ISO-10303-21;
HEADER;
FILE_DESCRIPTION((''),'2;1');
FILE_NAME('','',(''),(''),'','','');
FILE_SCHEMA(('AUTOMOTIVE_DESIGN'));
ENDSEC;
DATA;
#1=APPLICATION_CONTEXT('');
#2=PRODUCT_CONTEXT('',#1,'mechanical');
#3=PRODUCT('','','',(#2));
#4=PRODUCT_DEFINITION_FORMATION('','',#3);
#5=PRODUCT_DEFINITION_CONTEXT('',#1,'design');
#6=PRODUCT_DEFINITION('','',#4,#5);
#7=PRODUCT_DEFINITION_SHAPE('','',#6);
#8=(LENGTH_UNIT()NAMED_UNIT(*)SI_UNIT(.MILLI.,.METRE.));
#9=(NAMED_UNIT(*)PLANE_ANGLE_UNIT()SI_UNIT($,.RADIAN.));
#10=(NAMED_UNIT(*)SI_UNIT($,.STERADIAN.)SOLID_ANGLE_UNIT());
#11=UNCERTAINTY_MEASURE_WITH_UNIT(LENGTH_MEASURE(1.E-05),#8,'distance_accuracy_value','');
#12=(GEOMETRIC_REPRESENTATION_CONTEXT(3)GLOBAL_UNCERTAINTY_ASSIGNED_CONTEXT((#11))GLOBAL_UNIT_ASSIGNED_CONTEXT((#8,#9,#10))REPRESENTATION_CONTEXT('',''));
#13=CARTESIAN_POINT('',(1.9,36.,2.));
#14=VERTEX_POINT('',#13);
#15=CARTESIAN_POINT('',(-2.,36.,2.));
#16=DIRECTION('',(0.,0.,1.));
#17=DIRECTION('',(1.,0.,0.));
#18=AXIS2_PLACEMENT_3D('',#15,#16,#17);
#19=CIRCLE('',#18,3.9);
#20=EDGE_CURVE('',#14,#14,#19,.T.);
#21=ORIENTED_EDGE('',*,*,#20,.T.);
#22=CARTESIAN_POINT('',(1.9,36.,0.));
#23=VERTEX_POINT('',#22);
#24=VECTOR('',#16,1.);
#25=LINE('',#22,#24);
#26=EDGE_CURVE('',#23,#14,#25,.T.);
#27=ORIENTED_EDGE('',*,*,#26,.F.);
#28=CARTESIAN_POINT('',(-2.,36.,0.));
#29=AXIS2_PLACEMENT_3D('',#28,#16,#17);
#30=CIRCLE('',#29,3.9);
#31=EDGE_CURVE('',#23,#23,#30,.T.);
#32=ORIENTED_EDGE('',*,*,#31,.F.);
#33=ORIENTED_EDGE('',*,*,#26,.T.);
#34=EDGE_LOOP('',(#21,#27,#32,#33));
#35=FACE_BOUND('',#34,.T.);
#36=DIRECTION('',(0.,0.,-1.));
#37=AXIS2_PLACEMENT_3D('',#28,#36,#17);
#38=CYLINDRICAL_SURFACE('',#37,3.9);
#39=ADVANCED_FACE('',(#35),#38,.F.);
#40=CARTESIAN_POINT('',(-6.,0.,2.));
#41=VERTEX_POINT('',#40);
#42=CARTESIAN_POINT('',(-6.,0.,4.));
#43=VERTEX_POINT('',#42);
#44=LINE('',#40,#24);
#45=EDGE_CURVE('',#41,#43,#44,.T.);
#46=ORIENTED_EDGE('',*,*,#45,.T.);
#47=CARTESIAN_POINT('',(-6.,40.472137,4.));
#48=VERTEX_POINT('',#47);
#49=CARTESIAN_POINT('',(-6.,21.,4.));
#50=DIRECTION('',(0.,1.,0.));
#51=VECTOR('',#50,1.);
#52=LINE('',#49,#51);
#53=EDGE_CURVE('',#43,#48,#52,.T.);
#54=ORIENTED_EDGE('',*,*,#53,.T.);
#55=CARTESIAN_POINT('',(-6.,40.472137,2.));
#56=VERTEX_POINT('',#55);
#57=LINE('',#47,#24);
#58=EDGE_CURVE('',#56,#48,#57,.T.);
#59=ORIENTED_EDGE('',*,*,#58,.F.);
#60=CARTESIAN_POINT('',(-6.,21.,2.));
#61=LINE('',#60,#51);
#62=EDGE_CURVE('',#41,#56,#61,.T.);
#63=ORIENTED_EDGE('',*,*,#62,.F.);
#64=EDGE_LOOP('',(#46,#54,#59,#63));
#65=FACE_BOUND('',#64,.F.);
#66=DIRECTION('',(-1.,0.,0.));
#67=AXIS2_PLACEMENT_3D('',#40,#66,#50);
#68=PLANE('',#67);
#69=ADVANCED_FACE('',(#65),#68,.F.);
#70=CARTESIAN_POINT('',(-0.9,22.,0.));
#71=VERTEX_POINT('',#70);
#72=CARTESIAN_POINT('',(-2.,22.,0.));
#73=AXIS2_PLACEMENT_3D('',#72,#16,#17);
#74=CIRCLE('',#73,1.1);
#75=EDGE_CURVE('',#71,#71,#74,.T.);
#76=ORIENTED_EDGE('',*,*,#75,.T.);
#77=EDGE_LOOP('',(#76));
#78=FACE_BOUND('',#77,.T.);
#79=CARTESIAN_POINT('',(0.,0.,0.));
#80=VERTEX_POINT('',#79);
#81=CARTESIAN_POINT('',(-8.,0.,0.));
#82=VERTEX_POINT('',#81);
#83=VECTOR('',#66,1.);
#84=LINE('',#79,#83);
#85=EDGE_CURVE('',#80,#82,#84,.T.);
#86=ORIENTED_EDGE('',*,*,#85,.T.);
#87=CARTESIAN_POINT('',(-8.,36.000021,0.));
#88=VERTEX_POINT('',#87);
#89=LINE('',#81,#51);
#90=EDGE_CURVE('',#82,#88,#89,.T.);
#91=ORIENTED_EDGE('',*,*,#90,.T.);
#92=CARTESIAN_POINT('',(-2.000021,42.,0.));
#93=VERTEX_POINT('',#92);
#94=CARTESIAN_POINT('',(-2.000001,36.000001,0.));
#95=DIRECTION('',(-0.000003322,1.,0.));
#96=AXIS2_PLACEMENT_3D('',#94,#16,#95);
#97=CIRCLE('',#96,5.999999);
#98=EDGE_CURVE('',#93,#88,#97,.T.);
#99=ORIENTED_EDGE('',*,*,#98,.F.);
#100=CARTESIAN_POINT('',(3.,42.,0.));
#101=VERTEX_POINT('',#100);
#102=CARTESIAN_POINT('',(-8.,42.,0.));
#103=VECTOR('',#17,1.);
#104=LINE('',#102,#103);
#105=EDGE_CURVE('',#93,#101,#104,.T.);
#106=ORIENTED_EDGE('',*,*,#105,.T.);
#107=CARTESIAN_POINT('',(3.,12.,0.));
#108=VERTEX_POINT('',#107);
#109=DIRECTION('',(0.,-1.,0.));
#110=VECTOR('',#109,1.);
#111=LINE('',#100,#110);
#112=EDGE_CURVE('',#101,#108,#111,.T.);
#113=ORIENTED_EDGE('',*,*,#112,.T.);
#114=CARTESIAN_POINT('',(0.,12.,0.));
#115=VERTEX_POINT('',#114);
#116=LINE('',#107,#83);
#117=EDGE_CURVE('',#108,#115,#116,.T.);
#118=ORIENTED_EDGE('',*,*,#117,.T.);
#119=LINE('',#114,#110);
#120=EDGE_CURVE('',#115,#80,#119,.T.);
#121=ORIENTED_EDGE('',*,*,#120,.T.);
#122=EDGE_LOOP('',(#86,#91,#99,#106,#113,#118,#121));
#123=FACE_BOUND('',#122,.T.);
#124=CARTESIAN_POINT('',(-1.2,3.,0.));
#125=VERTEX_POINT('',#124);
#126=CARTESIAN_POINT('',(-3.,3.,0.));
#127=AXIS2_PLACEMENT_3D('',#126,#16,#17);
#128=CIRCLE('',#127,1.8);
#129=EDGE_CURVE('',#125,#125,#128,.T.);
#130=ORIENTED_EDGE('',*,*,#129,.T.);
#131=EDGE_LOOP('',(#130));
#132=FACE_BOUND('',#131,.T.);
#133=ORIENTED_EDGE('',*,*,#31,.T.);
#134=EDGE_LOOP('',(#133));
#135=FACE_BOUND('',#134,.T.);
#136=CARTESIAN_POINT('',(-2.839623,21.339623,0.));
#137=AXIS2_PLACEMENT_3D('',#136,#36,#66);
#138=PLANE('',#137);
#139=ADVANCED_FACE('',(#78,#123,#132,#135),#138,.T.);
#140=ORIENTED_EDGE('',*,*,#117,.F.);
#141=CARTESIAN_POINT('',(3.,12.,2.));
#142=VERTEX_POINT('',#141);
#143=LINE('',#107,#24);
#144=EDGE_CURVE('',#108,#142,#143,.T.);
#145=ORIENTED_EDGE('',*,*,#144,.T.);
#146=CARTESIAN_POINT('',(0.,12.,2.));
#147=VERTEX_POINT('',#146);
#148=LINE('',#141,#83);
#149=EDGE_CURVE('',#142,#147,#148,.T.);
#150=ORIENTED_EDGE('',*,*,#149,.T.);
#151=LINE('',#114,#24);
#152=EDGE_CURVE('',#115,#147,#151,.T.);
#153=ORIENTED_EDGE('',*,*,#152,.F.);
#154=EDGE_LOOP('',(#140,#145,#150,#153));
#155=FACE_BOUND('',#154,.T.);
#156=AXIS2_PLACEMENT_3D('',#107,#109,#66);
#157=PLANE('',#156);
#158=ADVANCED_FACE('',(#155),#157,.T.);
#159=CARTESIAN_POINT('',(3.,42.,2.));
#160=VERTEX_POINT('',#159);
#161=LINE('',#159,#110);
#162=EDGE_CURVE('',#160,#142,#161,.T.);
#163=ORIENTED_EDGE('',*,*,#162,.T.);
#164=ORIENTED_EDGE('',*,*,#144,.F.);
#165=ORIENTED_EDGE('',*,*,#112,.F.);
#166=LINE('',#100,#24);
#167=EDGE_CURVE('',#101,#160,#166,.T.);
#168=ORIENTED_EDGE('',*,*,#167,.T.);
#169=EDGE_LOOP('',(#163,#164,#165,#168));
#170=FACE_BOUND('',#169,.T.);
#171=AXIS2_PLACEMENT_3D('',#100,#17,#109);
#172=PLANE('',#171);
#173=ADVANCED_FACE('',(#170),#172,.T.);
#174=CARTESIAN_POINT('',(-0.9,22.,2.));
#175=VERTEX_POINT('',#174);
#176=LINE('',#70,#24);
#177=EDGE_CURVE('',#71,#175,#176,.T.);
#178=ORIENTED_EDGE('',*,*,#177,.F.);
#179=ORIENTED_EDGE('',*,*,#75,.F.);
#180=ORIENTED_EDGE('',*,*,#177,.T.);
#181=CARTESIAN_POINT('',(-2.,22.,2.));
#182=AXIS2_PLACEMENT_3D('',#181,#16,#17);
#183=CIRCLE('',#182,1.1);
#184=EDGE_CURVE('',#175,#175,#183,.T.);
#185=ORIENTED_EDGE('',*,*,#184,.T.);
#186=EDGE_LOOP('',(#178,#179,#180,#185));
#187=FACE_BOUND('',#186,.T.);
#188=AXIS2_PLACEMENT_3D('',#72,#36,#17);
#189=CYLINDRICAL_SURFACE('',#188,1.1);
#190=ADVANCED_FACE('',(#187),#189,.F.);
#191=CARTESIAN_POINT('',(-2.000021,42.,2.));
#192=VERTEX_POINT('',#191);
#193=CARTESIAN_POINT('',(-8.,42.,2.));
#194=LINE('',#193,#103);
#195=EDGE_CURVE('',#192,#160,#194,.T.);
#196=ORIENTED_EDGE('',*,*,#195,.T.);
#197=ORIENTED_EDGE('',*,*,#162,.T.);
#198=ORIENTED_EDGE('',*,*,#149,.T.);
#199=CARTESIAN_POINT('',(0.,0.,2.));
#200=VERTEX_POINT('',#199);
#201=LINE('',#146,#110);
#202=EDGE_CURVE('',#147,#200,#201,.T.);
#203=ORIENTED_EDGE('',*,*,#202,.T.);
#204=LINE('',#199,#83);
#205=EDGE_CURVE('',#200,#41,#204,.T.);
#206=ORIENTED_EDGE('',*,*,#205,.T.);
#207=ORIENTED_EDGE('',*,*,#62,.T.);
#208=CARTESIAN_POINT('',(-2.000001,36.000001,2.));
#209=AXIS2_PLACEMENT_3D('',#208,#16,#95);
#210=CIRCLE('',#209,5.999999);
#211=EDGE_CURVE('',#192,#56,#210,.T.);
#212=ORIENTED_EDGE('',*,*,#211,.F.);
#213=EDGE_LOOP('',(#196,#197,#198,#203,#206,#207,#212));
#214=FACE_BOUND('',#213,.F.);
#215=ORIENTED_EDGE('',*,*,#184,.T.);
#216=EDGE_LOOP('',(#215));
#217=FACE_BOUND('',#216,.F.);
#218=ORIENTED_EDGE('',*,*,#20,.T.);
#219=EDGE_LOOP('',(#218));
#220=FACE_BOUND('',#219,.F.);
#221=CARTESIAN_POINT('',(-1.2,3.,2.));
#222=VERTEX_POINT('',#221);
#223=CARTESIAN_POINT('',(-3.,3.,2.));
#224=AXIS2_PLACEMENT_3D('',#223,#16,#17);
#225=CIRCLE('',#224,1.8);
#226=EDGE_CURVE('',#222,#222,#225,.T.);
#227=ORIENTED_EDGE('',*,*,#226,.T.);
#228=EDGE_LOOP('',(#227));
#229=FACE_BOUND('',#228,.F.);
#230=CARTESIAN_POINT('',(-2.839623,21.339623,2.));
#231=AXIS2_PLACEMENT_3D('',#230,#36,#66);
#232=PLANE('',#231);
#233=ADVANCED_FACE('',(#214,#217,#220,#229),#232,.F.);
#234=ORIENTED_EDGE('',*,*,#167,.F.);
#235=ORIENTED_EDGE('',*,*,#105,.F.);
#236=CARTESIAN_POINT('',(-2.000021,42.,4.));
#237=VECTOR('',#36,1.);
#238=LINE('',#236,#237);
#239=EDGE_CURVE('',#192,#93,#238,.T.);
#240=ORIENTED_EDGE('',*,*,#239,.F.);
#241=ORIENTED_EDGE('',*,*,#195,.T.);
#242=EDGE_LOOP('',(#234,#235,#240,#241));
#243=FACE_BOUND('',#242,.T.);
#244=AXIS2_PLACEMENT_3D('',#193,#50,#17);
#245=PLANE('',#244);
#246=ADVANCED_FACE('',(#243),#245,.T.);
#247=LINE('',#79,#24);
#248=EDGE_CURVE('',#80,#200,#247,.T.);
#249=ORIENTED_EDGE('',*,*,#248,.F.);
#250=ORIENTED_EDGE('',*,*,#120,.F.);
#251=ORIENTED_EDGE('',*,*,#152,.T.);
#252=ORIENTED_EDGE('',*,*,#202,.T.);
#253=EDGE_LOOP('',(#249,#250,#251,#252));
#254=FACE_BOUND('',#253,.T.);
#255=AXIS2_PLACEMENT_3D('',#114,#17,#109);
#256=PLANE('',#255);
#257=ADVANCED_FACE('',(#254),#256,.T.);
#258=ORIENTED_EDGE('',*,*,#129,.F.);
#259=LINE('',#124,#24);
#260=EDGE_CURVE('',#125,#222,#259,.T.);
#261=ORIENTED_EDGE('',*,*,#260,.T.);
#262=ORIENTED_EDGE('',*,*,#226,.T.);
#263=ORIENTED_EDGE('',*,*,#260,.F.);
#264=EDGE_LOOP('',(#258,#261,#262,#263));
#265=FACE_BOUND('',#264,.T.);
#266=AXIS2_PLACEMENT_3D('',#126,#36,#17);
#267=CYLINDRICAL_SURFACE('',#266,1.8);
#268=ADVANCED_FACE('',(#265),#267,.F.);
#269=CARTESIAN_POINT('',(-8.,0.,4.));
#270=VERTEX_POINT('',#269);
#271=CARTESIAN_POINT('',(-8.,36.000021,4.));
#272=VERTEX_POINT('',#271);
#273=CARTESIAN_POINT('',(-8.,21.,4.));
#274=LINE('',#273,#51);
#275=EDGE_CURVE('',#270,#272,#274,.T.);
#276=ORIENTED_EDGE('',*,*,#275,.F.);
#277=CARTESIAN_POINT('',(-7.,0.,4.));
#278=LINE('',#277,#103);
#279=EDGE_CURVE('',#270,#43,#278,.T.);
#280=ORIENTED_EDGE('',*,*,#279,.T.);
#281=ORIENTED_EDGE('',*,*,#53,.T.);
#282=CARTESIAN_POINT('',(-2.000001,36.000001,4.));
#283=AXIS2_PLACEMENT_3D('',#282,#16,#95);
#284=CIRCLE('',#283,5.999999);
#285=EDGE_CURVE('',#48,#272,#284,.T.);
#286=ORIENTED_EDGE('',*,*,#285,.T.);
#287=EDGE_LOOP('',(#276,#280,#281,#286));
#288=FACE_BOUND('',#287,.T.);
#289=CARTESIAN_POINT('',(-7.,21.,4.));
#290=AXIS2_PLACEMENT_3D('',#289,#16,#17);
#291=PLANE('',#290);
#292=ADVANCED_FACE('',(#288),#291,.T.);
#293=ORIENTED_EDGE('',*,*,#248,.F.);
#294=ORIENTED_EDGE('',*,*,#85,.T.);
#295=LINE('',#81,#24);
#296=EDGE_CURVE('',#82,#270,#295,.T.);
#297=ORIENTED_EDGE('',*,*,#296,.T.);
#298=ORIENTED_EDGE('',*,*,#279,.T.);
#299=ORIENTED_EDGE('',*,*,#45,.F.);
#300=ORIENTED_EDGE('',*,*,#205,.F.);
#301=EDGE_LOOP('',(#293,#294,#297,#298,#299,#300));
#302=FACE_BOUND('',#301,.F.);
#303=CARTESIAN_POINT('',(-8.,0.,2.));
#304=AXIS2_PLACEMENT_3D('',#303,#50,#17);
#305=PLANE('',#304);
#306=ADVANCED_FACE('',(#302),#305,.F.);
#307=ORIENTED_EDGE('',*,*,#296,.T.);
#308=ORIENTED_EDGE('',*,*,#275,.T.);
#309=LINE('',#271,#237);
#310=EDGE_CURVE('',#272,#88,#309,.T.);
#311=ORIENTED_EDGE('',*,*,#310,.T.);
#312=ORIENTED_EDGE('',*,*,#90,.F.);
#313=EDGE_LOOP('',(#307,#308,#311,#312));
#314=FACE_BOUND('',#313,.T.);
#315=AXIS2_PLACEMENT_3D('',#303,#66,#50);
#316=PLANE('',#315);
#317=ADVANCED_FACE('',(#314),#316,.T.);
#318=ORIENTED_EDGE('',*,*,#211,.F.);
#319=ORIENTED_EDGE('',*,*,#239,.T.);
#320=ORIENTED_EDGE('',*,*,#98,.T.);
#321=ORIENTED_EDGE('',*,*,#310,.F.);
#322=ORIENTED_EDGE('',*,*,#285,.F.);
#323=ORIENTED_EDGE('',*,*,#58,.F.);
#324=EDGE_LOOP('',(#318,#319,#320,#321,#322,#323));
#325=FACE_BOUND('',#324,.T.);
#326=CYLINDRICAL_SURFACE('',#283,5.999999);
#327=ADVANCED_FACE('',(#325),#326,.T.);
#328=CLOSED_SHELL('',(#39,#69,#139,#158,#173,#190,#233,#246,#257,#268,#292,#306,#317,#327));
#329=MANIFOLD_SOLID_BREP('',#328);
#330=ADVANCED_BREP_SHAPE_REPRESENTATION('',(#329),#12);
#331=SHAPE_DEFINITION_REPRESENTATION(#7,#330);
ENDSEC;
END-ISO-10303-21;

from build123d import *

# Parameters (mm, degrees)
SKETCH_R     = 1.8
SKETCH_R_2   = 3.9
SKETCH_R_3   = 1.1
PAD_DEPTH    = 2
SKETCH001_W  = 2
SKETCH001_H  = 42
PAD001_DEPTH = 2
POCKET_DEPTH = 4.001


with BuildPart() as part:
    # Sketch → Pad (new body)
    with BuildSketch(Plane.XY):
        Polygon((-8, 42), (3, 42), (3, 12), (0, 12), (0, 0), (-8, 0), align=None)
        with Locations((-3, 3)):
            Circle(SKETCH_R, mode=Mode.SUBTRACT)
        with Locations((-2, 36)):
            Circle(SKETCH_R_2, mode=Mode.SUBTRACT)
        with Locations((-2, 22)):
            Circle(SKETCH_R_3, mode=Mode.SUBTRACT)
    extrude(amount=PAD_DEPTH)

    # Sketch001 → Pad001 (new body)
    with BuildSketch(Plane.XY.offset(2)):
        with Locations((-7, 21)):
            Rectangle(SKETCH001_W, SKETCH001_H)
    extrude(amount=PAD001_DEPTH)

    # Sketch002 → Pocket (cut, through all)
    with BuildSketch(Plane.XY.offset(4)):
        with BuildLine():
            ThreePointArc((-2.000021, 42), (-6.242641, 40.242641), (-8, 36.000021))
            Line((-8, 36.000021), (-8, 42))
            Line((-8, 42), (-2.000021, 42))
        make_face()
    extrude(amount=-POCKET_DEPTH, mode=Mode.SUBTRACT)


solid = part.part
